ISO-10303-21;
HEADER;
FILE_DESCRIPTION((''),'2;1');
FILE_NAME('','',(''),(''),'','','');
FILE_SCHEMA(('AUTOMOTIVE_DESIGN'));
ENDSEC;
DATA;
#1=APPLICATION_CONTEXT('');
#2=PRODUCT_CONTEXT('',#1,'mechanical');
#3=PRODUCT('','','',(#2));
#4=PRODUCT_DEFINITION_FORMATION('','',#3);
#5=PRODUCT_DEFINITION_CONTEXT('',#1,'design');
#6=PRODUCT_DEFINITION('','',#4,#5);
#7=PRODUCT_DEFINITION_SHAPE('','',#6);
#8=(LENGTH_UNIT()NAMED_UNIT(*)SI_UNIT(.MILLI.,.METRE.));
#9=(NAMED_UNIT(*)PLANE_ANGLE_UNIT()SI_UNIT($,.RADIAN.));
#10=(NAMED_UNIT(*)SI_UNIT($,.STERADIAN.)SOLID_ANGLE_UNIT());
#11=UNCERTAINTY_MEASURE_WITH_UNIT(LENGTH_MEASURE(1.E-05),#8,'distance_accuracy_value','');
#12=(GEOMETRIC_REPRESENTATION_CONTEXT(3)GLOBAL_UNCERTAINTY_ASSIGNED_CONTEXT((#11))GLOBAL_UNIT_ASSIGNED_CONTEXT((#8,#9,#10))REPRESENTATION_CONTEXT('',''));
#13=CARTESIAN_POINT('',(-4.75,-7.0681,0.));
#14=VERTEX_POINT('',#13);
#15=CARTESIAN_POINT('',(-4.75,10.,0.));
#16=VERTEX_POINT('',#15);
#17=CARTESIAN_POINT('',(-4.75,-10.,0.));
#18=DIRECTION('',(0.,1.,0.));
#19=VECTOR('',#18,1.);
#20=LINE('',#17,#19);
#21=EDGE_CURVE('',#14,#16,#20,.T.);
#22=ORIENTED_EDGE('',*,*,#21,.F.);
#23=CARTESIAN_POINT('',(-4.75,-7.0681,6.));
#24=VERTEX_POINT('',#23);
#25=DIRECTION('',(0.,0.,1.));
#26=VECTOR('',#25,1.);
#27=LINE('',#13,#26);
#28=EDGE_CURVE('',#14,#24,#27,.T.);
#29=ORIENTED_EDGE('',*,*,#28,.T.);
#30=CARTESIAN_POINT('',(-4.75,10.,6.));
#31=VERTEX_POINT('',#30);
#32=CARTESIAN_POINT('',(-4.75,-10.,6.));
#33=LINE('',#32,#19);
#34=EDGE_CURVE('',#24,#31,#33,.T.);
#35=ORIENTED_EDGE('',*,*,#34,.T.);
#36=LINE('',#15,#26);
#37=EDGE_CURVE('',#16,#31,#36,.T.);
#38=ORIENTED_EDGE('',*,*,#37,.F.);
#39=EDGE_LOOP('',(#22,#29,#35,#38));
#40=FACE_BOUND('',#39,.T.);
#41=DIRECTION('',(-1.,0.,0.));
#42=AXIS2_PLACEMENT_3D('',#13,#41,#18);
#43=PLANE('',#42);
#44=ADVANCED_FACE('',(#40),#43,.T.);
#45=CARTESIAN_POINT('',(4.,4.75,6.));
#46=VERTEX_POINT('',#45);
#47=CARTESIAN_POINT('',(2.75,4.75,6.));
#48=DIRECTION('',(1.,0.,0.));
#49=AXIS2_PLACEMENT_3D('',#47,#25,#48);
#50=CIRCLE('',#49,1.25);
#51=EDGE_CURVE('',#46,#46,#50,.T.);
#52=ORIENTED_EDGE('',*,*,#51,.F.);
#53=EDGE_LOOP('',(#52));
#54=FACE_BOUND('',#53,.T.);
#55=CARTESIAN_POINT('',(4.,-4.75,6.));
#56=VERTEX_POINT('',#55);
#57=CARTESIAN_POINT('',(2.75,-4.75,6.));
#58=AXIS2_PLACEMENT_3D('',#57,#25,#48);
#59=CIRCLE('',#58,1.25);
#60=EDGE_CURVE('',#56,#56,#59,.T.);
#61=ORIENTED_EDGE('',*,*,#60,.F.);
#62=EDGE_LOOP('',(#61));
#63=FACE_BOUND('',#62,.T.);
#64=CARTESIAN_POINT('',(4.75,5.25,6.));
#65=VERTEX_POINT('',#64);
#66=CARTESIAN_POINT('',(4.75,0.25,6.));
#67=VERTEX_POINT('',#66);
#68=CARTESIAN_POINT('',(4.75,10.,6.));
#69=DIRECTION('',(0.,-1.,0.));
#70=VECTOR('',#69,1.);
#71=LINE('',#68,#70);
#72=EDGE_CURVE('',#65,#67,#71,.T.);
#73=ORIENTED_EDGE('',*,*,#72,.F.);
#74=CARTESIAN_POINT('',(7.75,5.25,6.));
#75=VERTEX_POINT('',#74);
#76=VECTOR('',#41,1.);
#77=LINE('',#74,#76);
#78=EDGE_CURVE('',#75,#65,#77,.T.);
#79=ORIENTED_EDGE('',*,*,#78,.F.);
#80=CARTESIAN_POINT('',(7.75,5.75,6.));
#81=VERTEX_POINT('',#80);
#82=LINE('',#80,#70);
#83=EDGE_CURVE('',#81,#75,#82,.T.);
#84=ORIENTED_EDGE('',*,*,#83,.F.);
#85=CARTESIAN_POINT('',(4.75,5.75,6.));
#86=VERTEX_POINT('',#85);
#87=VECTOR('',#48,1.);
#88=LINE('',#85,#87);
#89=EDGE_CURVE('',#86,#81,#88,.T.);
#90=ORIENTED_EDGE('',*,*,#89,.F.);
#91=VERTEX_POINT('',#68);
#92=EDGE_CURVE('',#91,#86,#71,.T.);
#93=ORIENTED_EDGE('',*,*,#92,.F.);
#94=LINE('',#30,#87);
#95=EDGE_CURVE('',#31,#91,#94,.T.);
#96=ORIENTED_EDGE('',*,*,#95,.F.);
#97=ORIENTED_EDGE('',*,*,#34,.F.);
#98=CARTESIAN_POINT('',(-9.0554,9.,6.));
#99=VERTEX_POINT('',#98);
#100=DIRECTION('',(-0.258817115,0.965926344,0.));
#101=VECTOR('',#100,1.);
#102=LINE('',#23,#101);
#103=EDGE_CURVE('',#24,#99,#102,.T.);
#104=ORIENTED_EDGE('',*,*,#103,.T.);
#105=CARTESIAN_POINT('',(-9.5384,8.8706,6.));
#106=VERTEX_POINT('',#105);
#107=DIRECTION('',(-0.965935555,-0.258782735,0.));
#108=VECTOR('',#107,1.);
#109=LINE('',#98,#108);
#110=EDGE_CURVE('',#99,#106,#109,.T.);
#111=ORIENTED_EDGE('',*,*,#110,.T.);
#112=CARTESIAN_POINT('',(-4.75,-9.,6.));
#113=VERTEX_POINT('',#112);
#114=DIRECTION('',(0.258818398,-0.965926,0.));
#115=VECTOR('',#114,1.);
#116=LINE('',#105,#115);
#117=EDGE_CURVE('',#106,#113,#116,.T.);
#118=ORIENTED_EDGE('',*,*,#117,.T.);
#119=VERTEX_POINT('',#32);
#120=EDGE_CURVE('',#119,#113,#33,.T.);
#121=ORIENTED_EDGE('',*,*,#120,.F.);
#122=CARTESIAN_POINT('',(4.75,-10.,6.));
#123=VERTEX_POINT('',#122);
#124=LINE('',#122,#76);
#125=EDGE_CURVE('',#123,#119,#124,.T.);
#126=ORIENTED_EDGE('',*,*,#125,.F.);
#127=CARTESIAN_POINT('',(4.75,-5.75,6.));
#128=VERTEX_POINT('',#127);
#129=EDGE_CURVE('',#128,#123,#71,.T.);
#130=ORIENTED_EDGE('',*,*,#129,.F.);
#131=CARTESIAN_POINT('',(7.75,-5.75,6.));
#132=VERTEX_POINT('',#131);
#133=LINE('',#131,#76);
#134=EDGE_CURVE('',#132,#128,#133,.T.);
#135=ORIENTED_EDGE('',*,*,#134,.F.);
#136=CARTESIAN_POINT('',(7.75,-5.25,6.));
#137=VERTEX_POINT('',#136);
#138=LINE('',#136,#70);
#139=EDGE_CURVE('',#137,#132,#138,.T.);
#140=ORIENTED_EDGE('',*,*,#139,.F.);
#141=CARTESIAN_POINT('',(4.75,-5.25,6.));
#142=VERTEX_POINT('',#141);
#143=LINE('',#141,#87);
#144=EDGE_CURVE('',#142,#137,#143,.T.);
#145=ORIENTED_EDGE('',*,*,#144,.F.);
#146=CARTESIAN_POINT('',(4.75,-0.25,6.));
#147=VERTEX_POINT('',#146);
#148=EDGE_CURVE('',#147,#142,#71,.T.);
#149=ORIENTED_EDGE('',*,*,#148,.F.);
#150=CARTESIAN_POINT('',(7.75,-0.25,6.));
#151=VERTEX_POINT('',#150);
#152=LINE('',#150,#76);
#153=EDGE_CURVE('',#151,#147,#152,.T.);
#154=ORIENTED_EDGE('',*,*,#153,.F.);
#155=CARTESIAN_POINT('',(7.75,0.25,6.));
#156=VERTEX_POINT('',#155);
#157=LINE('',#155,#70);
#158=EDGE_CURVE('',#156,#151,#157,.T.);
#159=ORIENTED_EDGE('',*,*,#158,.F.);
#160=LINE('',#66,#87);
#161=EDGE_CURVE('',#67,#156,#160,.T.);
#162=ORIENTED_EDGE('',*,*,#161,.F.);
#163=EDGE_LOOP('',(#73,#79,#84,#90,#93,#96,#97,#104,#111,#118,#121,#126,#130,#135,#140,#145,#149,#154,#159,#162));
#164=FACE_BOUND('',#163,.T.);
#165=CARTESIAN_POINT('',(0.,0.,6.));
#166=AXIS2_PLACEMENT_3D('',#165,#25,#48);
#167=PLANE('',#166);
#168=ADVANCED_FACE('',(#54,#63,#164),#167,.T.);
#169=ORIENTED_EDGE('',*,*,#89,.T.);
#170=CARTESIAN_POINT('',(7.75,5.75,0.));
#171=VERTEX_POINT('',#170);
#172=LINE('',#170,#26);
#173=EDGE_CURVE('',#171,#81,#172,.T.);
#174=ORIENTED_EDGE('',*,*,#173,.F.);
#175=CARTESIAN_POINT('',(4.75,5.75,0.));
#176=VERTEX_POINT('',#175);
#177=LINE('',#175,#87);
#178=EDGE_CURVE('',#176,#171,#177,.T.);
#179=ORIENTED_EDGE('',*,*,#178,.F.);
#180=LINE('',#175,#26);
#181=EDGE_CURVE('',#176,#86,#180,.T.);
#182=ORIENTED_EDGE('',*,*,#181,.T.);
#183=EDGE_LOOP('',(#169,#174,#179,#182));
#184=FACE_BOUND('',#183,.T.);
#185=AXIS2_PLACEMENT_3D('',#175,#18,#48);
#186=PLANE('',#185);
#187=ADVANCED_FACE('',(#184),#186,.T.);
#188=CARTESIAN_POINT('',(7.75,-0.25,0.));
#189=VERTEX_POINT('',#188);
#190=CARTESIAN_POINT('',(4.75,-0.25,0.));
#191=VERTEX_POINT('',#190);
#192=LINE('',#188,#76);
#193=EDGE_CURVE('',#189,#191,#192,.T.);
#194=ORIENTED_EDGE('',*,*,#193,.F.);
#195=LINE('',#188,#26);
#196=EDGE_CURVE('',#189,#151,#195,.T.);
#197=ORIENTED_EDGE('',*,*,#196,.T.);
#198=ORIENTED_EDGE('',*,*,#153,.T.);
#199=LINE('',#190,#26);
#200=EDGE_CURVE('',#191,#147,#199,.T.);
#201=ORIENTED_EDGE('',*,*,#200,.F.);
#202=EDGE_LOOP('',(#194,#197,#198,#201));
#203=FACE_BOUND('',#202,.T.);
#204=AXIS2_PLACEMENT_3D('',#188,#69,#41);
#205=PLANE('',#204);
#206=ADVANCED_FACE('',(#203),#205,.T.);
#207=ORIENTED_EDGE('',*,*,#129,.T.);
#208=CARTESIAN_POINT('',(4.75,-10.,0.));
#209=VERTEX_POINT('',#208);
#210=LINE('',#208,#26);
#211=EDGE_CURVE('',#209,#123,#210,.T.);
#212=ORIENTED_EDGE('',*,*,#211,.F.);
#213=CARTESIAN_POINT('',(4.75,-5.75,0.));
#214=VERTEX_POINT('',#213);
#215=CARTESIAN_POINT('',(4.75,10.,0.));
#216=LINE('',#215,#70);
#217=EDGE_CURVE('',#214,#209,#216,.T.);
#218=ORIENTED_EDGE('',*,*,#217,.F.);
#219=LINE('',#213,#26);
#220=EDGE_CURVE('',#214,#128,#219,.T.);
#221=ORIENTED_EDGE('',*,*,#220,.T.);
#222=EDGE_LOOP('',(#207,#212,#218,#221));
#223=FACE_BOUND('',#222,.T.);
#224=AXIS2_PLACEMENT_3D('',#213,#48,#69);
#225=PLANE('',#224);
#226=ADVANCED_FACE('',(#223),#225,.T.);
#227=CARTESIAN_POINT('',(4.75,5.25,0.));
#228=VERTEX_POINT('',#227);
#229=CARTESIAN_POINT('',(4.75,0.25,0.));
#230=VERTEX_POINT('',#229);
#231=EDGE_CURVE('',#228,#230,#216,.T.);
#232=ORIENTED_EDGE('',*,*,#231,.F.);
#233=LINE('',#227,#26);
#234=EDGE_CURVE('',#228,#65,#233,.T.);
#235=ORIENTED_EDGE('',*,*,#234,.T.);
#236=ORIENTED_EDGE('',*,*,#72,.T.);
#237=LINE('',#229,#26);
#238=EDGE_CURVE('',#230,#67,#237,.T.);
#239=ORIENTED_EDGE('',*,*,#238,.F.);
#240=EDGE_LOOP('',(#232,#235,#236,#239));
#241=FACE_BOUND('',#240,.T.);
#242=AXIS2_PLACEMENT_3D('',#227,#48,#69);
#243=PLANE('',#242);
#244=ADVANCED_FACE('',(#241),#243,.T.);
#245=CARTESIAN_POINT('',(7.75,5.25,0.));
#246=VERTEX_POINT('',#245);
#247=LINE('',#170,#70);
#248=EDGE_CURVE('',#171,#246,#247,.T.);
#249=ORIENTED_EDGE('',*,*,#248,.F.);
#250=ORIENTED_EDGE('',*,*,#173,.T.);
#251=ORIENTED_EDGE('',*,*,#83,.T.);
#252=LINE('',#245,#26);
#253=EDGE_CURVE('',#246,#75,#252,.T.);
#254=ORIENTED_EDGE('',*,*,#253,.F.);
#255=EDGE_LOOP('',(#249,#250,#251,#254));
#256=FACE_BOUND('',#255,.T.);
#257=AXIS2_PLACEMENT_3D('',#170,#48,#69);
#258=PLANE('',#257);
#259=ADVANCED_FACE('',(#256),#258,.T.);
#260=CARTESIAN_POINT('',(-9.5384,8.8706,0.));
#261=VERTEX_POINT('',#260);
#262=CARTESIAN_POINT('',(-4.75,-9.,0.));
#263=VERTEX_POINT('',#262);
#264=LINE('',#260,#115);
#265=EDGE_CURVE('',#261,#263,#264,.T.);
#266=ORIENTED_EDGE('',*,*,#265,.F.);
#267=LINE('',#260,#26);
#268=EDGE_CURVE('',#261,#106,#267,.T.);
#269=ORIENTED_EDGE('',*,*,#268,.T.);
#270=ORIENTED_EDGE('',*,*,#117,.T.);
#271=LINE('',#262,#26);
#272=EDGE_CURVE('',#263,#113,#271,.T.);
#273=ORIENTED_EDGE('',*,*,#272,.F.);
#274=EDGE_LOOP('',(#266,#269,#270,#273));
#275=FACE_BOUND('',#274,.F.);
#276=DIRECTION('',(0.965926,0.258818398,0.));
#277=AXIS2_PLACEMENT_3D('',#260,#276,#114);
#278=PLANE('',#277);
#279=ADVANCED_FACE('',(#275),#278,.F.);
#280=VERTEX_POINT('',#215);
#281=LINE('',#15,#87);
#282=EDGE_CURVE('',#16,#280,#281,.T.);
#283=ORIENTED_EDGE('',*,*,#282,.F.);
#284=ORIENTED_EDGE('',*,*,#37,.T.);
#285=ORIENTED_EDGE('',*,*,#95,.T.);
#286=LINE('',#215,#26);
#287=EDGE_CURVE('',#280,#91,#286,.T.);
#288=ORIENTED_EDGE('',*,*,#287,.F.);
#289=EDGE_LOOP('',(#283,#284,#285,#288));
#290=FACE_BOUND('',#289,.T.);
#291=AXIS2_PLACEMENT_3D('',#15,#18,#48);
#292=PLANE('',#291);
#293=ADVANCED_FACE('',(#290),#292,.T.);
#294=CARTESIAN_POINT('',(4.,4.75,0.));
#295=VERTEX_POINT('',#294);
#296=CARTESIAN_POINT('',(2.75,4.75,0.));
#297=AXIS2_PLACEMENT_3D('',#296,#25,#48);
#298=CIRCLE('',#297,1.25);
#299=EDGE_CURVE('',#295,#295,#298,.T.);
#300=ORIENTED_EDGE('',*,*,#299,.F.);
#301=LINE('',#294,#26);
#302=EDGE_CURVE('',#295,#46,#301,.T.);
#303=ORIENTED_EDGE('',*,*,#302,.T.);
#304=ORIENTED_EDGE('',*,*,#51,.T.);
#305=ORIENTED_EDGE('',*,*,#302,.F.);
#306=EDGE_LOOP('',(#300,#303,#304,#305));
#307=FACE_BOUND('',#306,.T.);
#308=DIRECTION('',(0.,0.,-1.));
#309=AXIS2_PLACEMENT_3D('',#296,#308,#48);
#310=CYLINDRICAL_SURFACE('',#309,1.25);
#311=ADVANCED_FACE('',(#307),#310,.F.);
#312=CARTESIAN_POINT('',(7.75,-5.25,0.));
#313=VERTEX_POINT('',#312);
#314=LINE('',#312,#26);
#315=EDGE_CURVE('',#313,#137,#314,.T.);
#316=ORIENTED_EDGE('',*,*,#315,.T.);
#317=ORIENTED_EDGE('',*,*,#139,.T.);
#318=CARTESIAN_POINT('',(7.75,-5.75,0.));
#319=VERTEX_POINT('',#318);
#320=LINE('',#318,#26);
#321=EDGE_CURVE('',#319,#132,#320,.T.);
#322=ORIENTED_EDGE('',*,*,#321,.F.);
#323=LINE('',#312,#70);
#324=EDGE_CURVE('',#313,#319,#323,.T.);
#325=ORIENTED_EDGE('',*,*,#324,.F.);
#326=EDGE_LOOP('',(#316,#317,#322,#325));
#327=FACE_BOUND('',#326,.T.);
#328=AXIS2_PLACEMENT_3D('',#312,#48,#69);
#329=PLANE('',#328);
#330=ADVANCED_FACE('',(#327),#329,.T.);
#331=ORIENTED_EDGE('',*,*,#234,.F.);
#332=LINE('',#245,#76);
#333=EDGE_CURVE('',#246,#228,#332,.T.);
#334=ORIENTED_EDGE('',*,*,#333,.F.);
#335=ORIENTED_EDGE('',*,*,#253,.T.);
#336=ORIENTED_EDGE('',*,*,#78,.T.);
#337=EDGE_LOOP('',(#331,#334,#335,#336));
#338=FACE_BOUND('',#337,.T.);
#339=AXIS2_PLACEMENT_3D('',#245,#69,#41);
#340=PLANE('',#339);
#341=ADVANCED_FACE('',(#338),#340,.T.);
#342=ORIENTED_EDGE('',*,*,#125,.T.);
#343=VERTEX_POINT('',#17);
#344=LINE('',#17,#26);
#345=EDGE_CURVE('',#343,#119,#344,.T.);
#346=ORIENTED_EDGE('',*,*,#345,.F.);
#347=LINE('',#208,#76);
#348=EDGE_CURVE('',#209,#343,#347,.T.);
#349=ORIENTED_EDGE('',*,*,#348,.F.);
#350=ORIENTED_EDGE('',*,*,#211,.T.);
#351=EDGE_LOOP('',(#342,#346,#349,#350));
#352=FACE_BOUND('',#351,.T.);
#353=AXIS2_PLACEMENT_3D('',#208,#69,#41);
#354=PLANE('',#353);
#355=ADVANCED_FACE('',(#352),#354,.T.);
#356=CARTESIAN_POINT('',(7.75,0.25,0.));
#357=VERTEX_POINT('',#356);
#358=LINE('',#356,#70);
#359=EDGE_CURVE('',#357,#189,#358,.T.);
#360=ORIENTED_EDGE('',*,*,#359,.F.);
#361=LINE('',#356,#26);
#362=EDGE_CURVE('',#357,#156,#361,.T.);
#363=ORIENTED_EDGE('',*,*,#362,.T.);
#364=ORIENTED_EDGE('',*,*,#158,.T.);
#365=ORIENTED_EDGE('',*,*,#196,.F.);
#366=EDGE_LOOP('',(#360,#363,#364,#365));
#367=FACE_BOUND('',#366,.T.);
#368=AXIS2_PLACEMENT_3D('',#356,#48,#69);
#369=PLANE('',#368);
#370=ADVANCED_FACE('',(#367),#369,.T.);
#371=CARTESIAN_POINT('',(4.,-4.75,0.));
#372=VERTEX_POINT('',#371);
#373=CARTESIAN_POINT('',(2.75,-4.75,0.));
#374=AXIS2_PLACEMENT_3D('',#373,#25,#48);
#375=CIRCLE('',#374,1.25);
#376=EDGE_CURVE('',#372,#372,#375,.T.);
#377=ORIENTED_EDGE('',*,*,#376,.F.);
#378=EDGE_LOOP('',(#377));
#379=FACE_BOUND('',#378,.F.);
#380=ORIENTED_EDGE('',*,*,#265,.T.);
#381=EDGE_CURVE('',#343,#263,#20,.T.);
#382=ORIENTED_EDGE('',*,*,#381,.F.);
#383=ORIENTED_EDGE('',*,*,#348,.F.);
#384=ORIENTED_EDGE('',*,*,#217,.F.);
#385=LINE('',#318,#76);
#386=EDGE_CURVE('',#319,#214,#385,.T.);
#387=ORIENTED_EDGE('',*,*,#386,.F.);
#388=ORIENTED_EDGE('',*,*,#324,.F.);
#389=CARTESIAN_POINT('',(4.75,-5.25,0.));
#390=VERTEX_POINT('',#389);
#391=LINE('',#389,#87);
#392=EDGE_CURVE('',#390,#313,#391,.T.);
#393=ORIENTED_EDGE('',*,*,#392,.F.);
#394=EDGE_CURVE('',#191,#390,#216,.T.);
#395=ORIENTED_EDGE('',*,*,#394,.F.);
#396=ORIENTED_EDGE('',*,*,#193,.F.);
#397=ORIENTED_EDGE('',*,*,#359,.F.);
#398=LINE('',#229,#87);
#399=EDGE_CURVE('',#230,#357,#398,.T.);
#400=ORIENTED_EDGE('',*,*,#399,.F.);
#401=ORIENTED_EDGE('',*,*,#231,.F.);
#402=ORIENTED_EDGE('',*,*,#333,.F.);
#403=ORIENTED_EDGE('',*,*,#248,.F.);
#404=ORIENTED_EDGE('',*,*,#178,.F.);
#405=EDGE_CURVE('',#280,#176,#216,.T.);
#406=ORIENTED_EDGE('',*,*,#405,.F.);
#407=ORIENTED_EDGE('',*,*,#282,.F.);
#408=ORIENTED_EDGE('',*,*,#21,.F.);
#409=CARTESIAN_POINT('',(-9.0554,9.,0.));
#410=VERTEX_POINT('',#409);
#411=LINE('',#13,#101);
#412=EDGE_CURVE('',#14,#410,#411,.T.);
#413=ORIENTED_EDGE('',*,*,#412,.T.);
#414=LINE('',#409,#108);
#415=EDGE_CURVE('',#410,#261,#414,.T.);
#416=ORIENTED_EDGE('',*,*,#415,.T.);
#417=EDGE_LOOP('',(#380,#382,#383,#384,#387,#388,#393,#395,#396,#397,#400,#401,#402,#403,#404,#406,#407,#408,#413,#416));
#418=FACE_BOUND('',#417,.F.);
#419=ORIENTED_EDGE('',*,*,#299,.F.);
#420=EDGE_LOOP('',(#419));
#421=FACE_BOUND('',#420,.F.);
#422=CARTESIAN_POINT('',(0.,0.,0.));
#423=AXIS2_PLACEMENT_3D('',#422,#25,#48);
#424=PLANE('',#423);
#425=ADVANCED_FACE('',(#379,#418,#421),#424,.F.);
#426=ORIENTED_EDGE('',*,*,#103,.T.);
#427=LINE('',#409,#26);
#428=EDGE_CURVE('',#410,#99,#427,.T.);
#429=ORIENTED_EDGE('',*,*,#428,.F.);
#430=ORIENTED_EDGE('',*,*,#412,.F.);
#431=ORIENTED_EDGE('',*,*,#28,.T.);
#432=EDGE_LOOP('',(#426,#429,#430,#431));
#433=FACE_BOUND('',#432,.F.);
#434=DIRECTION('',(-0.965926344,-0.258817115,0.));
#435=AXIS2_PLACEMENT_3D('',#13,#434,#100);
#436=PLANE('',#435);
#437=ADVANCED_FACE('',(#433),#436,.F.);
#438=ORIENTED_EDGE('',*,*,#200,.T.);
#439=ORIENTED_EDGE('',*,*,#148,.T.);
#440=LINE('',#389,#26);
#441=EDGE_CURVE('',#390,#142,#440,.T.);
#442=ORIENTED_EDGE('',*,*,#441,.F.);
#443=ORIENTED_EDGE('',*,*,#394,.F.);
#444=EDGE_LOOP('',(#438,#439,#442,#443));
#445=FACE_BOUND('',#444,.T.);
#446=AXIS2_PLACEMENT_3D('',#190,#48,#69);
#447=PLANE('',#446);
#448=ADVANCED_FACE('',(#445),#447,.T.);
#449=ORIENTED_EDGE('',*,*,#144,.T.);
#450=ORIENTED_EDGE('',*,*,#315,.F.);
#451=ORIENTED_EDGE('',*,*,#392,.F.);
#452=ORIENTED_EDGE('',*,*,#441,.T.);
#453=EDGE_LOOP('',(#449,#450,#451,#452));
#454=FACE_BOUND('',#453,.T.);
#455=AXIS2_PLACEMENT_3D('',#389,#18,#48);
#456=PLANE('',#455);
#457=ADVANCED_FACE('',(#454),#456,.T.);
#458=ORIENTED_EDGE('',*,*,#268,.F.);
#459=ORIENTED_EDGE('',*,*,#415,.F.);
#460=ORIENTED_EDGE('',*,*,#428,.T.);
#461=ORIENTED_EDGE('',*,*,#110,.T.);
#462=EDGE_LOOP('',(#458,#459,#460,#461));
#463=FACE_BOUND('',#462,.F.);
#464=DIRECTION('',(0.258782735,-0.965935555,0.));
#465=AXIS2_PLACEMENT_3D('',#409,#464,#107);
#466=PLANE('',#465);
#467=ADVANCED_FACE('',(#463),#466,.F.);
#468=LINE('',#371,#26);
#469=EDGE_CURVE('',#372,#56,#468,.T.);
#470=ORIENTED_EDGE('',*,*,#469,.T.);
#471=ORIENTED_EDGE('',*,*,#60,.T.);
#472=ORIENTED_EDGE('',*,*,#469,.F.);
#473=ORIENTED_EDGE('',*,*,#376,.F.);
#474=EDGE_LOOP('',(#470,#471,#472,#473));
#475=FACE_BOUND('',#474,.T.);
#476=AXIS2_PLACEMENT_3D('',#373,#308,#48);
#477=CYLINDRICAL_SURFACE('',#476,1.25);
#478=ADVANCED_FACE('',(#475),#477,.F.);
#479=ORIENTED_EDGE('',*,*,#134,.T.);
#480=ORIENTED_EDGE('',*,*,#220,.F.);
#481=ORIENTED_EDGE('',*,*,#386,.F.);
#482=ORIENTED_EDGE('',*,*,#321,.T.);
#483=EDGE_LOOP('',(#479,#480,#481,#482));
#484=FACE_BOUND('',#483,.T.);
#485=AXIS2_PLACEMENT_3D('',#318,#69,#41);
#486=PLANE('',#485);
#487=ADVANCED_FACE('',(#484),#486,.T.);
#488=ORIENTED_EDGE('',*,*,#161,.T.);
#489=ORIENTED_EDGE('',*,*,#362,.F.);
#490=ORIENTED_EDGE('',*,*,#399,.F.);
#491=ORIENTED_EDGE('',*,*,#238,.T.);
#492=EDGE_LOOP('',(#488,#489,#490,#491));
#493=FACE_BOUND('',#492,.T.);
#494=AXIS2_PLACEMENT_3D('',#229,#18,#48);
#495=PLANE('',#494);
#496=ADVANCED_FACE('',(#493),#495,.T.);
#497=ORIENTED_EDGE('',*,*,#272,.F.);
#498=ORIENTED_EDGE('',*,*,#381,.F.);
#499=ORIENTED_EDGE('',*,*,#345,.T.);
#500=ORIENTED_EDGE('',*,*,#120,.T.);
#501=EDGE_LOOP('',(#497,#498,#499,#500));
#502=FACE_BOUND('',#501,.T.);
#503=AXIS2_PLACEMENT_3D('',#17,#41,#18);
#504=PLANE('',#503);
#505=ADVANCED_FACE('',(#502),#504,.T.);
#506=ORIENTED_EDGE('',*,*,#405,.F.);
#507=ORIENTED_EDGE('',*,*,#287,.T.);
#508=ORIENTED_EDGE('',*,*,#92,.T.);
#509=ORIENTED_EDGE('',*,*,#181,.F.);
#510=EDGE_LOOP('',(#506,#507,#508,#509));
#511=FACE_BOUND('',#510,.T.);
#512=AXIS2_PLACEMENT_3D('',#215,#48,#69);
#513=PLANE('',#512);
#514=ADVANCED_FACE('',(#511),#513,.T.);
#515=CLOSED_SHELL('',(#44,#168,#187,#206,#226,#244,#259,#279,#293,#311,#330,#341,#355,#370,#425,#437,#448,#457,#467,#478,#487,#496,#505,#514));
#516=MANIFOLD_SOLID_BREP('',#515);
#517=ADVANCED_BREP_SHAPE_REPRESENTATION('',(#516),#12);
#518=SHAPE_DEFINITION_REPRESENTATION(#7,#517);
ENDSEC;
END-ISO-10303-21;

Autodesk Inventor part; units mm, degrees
ref_plane "YZ Plane" through (0, 0, 0) normal (1, 0, 0) x (0, 1, 0)
ref_plane "XZ Plane" through (0, 0, 0) normal (0, 1, 0) x (-1, 0, 0)
ref_plane "XY Plane" through (0, 0, 0) normal (0, 0, 1) x (1, 0, 0)
sketch "Sketch1" plane through (0, 0, 0) normal (0, 0, 1) x (1, 0, 0)
  line L0 (4.75, -10) -> (-4.75, -10)
  line L1 (-4.75, -10) -> (-4.75, 10)
  line L2 (-4.75, 10) -> (4.75, 10)
  line L3 (4.75, 10) -> (4.75, -10)
  line L4 (4.75, -10) -> (-4.75, 10) construction
  line L5 (-4.75, -10) -> (4.75, 10) construction
  circle A0 centre (2.75, 4.75) radius 1.25
  circle A1 centre (2.75, -4.75) radius 1.25
  line L6 (-4.75, -7.0681) -> (-9.0554, 9)
  line L7 (-9.0554, 9) -> (-9.5384, 8.8706)
  line L8 (-9.5384, 8.8706) -> (-4.75, -9)
  line L9 (7.75, -0.25) -> (4.75, -0.25)
  line L10 (4.75, -0.25) -> (4.75, 0.25)
  line L11 (4.75, 0.25) -> (7.75, 0.25)
  line L12 (7.75, 0.25) -> (7.75, -0.25)
  line L13 (7.75, -0.25) -> (4.75, 0.25) construction
  line L14 (4.75, -0.25) -> (7.75, 0.25) construction
  line L15 (4.75, -5.25) -> (7.75, -5.25)
  line L16 (7.75, -5.25) -> (7.75, -5.75)
  line L17 (7.75, -5.75) -> (4.75, -5.75)
  line L18 (4.75, -5.75) -> (4.75, -5.25)
  line L19 (4.75, -5.25) -> (7.75, -5.75) construction
  line L20 (7.75, -5.25) -> (4.75, -5.75) construction
  line L21 (4.75, 5.75) -> (7.75, 5.75)
  line L22 (7.75, 5.75) -> (7.75, 5.25)
  line L23 (7.75, 5.25) -> (4.75, 5.25)
  line L24 (4.75, 5.25) -> (4.75, 5.75)
  line L25 (4.75, 5.75) -> (7.75, 5.25) construction
  line L26 (7.75, 5.75) -> (4.75, 5.25) construction
  point P0 (0, 0)
  point P1 (6.25, 0)
  point P2 (6.25, -5.5)
  point P3 (6.25, 5.5)
  point P4 (6.25, 0.25)
  dimension "d0" = 20
  dimension "d1" = 9.5
  dimension "d2" = 2.5
  dimension "d3" = 9.5
  dimension "d4" = 4.75
  dimension "d5" = 2
  dimension "d6" = 0.5
  dimension "d7" = 15
  dimension "d8" = 1
  dimension "d9" = 1
  dimension "d12" = 0.5
  dimension "d13" = 3
  dimension "d14" = 5
  dimension "d15" = 5
extrude "Extrusion1" add sketch "Sketch1" along normal blind 6
equation "\"d4\" = 0.5 * d3"
equation "\"d9\" = d8"
equation "\"d15\" = d14"
properties part number "RefSwitch_Basic" material "Aluminum 6061"
